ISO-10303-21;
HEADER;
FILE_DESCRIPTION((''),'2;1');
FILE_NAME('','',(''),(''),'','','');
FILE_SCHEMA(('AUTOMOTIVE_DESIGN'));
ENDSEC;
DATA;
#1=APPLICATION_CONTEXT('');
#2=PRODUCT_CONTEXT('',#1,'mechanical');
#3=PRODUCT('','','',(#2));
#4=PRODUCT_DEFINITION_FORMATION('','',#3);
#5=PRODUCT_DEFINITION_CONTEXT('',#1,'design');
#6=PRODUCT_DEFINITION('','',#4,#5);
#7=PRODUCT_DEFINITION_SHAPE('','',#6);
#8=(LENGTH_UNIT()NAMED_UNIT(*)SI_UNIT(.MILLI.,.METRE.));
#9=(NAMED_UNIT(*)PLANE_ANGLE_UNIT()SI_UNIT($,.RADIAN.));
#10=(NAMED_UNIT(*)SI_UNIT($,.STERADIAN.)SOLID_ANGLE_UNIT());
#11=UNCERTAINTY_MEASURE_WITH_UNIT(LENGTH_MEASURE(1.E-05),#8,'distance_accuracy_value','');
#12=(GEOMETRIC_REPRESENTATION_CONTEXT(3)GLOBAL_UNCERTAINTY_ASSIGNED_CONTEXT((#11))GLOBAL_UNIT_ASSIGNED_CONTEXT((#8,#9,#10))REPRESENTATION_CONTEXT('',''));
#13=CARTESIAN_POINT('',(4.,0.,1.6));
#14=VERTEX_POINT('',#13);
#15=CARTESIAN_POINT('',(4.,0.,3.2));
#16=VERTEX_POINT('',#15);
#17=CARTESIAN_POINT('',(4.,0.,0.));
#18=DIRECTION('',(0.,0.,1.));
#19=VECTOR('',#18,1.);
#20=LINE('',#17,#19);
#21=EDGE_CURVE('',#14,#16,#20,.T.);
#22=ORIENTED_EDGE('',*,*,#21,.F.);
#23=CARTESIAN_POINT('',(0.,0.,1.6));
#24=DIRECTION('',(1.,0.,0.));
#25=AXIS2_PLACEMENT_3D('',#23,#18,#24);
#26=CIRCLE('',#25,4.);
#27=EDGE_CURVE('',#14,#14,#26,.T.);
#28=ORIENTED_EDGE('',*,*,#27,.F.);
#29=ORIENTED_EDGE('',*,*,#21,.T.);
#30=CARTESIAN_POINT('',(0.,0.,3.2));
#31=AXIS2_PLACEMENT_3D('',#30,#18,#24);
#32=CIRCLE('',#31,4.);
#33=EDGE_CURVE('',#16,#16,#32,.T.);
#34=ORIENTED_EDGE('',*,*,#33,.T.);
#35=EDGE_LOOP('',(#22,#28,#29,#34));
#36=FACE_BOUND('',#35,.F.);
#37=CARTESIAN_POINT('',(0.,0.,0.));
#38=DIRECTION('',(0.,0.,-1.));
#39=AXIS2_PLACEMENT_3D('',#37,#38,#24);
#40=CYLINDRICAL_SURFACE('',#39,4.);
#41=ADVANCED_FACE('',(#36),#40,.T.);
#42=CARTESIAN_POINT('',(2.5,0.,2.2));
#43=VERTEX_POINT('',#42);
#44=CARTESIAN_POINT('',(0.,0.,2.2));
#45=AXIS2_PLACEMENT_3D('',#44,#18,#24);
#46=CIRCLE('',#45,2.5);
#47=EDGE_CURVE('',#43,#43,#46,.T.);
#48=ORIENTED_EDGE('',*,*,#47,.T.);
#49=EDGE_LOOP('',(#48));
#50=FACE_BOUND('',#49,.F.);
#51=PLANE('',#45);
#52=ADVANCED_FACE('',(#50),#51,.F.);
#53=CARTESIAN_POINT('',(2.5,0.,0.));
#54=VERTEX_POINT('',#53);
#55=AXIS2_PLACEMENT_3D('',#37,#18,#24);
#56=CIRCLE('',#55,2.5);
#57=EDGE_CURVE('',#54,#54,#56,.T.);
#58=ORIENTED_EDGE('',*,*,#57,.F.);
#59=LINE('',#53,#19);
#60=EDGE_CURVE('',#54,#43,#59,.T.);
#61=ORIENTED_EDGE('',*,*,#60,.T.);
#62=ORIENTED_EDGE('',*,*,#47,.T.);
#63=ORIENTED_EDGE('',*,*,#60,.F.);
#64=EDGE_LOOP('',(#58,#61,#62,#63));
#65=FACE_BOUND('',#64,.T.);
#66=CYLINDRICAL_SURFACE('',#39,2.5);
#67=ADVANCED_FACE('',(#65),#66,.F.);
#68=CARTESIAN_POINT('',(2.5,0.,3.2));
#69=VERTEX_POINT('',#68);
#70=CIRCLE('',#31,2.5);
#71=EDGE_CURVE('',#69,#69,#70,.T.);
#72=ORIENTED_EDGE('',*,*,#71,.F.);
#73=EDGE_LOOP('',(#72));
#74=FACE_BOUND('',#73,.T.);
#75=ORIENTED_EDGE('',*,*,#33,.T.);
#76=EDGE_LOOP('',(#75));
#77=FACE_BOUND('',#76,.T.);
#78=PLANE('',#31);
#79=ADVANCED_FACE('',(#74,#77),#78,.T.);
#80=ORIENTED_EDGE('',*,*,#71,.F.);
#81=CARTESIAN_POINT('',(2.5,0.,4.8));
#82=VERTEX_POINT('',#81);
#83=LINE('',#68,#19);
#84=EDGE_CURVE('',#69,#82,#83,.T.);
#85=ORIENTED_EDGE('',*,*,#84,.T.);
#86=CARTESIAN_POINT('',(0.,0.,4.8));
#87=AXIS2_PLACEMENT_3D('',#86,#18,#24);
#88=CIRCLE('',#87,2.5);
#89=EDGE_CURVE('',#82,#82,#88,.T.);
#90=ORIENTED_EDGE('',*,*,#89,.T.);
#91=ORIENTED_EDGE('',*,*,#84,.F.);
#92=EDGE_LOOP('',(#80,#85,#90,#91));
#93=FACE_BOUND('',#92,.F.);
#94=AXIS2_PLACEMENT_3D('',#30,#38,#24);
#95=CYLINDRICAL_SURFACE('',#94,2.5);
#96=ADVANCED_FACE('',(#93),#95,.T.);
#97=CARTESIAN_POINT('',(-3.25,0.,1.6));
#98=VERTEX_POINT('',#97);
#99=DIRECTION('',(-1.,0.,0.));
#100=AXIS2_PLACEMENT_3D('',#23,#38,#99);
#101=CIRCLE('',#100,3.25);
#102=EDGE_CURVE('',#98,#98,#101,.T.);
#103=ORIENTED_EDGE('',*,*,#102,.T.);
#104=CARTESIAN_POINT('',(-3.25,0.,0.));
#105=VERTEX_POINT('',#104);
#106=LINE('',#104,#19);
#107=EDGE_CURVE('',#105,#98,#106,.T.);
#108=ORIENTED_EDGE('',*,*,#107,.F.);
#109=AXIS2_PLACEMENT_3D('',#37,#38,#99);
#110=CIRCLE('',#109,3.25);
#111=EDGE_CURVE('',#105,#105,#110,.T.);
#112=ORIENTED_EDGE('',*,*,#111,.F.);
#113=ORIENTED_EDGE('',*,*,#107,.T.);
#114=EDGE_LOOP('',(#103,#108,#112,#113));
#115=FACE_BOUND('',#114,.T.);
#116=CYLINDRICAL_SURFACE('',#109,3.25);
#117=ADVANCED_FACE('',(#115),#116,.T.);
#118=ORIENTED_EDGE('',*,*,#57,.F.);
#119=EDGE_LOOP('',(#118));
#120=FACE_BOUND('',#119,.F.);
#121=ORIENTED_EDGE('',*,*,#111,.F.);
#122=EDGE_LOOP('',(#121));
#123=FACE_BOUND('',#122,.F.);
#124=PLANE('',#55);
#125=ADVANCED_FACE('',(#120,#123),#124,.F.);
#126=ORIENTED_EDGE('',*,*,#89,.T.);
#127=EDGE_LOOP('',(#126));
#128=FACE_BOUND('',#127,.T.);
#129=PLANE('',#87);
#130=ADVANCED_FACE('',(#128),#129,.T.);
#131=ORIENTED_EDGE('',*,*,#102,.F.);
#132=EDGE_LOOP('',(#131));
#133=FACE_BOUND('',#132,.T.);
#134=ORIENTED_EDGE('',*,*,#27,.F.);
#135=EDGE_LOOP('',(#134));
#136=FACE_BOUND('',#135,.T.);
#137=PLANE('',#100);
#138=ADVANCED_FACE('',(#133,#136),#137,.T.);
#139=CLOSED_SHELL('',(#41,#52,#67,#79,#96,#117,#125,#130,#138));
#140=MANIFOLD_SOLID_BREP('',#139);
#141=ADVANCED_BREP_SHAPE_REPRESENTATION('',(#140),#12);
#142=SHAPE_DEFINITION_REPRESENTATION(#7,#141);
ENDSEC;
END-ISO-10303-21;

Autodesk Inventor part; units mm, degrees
ref_plane "YZ Plane" through (0, 0, 0) normal (1, 0, 0) x (0, 1, 0)
ref_plane "XZ Plane" through (0, 0, 0) normal (0, 1, 0) x (-1, 0, 0)
ref_plane "XY Plane" through (0, 0, 0) normal (0, 0, 1) x (1, 0, 0)
sketch "Sketch1" plane through (0, 0, 0) normal (0, 0, 1) x (1, 0, 0)
  circle A0 centre (0, 0) radius 2.5
  circle A1 centre (0, 0) radius 4
  dimension "d0" = 5
  dimension "d1" = 8
extrude "Extrusion1" add sketch "Sketch1" along normal blind 3.2
sketch "Sketch2" plane through (0, 0, 3.2) normal (0, 0, 1) x (1, 0, 0)
  circle A0 centre (0, 0) radius 2.5 projected
extrude "Extrusion2" add sketch "Sketch2" against normal blind 1
sketch "Sketch3" plane through (0, 0, 3.2) normal (0, 0, 1) x (1, 0, 0)
  circle A0 centre (0, 0) radius 4 projected
  circle A1 centre (0, 0) radius 2.5
  dimension "d6" = 5
extrude "Extrusion3" add sketch "Sketch3" along normal blind 1.6 contours A1
sketch "Sketch4" plane through (0, 0, 0) normal (0, 0, -1) x (-1, 0, 0)
  circle A0 centre (0, 0) radius 4 projected
  circle A1 centre (0, 0) radius 3.25
  dimension "d9" = 6.5
extrude "Extrusion4" cut sketch "Sketch4" against normal blind 1.6
properties part number "4073" material "Steel"
